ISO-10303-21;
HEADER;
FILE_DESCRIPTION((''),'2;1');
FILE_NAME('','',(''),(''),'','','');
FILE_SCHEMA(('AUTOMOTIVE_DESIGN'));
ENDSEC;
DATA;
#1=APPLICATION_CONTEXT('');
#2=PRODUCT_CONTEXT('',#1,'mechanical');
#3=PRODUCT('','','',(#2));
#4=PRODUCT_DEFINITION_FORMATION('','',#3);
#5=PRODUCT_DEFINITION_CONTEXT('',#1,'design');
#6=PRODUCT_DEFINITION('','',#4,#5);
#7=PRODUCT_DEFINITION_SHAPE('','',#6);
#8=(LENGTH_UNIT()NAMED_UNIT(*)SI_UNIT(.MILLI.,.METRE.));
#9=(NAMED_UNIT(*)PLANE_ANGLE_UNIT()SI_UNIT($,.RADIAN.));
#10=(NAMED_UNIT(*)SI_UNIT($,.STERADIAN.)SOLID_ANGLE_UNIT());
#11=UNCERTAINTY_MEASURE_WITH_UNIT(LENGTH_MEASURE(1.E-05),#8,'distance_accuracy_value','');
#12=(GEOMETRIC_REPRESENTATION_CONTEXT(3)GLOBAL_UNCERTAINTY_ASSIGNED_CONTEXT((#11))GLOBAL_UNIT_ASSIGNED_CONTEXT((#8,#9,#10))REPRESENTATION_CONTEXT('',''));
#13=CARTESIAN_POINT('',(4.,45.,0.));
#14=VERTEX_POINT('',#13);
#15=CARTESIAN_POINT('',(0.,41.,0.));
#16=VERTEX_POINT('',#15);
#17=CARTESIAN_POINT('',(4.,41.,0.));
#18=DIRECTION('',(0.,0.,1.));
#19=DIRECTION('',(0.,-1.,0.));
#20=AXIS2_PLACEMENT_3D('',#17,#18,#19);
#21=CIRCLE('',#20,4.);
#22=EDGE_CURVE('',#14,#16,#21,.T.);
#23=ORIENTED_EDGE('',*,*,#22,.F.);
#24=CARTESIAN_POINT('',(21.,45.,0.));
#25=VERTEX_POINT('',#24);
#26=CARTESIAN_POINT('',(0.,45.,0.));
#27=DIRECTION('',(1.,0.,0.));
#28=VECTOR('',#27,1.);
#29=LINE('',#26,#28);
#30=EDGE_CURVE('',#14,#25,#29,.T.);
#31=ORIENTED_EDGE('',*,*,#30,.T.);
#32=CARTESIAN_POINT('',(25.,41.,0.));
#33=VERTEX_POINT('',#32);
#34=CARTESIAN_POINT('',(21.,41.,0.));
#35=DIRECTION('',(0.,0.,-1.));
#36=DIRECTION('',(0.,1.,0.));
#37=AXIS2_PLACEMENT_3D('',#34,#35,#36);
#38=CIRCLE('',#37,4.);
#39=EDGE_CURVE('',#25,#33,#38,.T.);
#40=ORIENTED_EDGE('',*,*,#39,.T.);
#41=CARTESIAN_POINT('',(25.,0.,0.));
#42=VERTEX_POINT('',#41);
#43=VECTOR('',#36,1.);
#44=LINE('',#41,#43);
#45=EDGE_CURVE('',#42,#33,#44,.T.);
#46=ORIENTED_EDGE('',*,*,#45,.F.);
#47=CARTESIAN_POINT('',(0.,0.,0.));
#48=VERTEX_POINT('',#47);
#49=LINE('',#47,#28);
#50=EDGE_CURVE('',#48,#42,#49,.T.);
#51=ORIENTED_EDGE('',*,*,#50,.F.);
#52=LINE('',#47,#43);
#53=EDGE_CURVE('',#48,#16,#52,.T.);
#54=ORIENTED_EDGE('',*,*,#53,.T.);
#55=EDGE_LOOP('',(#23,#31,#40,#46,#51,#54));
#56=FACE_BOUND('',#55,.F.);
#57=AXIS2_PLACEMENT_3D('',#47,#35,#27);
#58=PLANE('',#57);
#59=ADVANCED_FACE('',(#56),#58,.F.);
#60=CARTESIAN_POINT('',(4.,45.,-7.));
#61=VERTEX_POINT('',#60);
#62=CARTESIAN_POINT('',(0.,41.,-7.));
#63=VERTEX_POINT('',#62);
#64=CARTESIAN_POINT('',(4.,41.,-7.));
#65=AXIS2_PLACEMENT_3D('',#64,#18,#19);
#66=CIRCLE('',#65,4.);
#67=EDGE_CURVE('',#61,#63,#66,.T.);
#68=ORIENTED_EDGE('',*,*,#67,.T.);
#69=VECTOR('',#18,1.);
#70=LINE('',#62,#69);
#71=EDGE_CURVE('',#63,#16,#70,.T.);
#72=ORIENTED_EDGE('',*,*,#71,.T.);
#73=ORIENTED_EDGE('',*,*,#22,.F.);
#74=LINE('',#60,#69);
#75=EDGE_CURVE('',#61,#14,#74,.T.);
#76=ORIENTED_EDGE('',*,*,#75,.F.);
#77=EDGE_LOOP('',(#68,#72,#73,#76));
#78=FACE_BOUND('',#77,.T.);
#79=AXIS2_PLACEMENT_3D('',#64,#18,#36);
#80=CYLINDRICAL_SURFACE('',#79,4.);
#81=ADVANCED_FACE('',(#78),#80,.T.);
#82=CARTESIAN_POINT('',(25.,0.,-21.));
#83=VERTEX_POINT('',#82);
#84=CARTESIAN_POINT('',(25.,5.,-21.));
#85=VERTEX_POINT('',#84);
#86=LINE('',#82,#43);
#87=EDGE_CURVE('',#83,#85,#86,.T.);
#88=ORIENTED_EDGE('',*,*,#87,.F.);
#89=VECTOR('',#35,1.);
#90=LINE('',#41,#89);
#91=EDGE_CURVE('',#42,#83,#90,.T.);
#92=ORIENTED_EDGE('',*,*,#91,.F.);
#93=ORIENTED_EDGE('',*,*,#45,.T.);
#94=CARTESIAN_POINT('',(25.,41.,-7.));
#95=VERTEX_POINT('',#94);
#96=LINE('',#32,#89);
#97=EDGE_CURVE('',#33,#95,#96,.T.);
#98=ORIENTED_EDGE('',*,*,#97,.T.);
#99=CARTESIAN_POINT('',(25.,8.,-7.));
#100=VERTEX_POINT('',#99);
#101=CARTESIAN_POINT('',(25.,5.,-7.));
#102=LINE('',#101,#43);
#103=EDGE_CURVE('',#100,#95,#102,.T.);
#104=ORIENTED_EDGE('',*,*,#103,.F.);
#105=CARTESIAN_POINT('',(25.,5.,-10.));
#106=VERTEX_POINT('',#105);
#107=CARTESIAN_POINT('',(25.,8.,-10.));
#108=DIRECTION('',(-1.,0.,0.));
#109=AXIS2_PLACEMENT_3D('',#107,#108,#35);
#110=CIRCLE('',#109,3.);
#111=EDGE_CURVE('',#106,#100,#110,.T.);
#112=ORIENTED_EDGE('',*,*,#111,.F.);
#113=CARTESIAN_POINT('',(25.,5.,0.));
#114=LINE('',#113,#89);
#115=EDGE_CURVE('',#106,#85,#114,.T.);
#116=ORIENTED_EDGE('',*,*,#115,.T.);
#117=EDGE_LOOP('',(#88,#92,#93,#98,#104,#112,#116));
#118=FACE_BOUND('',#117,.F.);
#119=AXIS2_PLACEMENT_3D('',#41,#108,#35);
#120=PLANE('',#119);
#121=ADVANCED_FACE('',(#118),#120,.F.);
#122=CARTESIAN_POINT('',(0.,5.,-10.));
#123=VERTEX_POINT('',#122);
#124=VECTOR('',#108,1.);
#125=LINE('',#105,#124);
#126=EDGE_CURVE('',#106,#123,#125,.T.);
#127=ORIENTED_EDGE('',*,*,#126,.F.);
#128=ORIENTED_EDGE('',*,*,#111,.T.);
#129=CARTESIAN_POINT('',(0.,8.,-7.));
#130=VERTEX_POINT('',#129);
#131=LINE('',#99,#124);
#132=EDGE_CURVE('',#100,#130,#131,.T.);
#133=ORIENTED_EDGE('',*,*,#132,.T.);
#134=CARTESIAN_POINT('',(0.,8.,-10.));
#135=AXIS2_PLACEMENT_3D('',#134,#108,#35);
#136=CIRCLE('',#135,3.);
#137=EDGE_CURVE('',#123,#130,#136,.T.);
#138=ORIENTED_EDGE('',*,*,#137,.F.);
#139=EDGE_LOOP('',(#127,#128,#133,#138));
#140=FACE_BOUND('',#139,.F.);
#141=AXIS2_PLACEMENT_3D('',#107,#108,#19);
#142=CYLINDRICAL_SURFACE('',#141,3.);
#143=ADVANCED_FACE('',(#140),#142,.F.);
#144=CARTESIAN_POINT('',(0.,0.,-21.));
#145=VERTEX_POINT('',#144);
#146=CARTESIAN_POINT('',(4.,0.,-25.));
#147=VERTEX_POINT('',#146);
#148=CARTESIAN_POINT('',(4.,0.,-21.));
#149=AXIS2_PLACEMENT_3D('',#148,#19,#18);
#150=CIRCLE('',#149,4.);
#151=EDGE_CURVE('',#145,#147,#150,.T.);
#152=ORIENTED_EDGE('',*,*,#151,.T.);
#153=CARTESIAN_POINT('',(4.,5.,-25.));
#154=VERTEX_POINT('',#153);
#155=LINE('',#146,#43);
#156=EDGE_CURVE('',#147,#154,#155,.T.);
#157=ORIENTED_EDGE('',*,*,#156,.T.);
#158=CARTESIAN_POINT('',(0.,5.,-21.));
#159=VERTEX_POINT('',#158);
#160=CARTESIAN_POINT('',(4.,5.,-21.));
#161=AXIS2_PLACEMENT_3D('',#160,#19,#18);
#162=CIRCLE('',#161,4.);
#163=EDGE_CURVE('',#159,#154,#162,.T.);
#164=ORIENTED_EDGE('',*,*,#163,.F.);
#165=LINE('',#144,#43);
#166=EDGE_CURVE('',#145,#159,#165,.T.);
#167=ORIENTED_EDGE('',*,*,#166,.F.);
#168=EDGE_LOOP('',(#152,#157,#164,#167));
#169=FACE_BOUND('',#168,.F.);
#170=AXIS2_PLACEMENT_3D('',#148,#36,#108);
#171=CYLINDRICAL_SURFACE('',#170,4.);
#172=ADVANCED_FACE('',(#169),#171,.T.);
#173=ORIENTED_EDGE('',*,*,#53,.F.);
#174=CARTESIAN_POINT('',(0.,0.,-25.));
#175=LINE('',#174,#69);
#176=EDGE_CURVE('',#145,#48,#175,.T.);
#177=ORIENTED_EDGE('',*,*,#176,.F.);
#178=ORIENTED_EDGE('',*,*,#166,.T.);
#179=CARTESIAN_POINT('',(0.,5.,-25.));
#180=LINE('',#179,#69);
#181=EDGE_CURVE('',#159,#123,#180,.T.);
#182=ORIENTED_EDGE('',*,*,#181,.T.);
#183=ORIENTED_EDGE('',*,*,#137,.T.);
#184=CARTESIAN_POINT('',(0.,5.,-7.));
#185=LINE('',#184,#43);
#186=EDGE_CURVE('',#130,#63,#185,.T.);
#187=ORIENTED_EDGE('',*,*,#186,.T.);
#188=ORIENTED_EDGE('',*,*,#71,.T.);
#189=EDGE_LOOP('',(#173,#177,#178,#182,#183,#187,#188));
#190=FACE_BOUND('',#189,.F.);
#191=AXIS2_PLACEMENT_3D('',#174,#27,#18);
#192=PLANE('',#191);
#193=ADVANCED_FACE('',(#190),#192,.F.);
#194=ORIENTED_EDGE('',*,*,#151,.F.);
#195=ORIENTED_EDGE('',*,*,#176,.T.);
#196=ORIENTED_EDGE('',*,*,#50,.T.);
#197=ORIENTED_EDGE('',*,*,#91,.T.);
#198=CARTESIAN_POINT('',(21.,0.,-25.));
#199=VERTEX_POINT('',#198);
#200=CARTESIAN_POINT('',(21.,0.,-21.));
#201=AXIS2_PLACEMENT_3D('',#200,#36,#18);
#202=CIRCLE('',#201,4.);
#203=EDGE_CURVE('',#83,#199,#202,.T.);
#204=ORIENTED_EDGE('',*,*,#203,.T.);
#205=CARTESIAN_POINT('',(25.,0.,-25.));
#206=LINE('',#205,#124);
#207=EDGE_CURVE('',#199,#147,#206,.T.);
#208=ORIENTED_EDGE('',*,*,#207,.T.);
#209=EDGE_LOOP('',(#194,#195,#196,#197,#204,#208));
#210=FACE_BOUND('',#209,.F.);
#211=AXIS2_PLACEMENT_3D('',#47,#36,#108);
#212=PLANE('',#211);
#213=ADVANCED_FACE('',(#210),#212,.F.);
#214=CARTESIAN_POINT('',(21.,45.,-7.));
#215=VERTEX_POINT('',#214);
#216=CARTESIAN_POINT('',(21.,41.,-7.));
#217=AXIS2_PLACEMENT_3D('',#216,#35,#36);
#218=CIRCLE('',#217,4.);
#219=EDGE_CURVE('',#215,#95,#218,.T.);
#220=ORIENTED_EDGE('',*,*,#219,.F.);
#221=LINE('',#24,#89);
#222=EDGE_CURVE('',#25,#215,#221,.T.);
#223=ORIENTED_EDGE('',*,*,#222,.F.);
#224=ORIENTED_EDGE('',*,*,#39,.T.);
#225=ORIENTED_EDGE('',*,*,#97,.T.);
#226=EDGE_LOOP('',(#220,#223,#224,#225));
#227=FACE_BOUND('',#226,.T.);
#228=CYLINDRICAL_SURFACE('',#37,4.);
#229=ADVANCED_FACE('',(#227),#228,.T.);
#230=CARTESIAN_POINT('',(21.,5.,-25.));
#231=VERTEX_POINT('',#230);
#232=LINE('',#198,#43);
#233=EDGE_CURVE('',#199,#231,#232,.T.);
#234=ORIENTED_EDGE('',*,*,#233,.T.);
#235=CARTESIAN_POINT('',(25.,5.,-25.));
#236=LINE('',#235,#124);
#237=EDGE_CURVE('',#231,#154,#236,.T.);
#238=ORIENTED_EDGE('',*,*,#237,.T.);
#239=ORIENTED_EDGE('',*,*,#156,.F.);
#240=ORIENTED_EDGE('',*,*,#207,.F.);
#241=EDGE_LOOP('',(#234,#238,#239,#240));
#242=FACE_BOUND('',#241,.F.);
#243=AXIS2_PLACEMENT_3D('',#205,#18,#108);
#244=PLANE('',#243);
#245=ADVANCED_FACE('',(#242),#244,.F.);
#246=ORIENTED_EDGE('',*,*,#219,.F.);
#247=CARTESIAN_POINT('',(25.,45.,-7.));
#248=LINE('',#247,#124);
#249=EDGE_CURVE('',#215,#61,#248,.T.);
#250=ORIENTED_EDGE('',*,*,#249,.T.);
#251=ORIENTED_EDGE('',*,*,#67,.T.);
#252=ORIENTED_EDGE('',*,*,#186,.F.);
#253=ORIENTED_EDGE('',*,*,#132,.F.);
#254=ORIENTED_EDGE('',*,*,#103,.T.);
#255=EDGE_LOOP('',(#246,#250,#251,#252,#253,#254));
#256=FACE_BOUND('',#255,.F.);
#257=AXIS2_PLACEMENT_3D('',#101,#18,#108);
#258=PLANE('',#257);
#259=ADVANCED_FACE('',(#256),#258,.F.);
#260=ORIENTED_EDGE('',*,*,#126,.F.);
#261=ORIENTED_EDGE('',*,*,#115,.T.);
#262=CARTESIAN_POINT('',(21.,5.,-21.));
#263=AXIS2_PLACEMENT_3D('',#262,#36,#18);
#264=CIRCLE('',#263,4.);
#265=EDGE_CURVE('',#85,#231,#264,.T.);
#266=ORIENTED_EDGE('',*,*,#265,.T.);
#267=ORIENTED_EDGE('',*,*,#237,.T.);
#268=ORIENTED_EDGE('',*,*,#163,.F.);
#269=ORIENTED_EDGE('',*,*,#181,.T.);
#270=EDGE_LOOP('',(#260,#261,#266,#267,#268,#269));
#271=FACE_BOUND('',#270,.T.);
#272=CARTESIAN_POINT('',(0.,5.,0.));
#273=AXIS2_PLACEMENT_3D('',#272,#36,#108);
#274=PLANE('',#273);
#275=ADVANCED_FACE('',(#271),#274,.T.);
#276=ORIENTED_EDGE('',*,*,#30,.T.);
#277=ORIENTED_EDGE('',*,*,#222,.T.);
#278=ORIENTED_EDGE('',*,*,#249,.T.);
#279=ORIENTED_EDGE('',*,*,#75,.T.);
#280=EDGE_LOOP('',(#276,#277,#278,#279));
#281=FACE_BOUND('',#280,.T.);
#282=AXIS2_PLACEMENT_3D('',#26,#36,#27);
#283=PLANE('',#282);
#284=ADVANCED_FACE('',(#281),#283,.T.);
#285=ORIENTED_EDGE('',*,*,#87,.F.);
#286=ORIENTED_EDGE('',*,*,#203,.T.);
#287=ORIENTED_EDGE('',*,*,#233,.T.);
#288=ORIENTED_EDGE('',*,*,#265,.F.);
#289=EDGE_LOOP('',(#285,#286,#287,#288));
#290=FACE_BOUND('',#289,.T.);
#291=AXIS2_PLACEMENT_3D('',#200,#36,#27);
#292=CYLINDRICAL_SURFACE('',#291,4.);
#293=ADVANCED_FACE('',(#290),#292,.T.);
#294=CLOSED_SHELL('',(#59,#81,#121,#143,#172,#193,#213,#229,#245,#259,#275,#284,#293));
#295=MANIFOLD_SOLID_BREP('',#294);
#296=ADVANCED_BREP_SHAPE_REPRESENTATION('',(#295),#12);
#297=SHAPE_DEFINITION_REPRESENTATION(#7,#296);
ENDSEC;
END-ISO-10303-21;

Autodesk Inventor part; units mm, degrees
ref_plane "YZ Plane" through (0, 0, 0) normal (1, 0, 0) x (0, 1, 0)
ref_plane "XZ Plane" through (0, 0, 0) normal (0, 1, 0) x (-1, 0, 0)
ref_plane "XY Plane" through (0, 0, 0) normal (0, 0, 1) x (1, 0, 0)
sketch "Sketch1" plane through (0, 0, 0) normal (0, 1, 0) x (-1, 0, 0)
  line L0 (0, 0) -> (-25, 0)
  line L1 (-25, 0) -> (-25, -25)
  line L2 (-25, -25) -> (0, -25)
  line L3 (0, -25) -> (0, 0)
  dimension "d0" = 25
  dimension "d1" = 25
extrude "Extrusion1" add sketch "Sketch1" along normal blind 5
sketch "Sketch2" plane through (0, 5, 0) normal (0, 1, 0) x (1, 0, 0)
  line L0 (25, 0) -> (25, 25) projected
  line L1 (0, 0) -> (25, 0)
  line L2 (25, 0) -> (25, 7)
  line L3 (25, 7) -> (0, 7)
  line L4 (0, 7) -> (0, 0)
  dimension "d4" = 7
extrude "Extrusion2" add sketch "Sketch2" along normal blind 40
fillet "Fillet1" radius 3 1 edges at (12.5, 5, -7)
fillet "Fillet2" radius 4 1 edges at (25, 45, -3.5)
fillet "Fillet3" radius 4 1 edges at (0, 45, -3.5)
fillet "Fillet4" radius 4 2 edges at (25, 2.5, -25) (0, 2.5, -25)
properties part number "Support1"
